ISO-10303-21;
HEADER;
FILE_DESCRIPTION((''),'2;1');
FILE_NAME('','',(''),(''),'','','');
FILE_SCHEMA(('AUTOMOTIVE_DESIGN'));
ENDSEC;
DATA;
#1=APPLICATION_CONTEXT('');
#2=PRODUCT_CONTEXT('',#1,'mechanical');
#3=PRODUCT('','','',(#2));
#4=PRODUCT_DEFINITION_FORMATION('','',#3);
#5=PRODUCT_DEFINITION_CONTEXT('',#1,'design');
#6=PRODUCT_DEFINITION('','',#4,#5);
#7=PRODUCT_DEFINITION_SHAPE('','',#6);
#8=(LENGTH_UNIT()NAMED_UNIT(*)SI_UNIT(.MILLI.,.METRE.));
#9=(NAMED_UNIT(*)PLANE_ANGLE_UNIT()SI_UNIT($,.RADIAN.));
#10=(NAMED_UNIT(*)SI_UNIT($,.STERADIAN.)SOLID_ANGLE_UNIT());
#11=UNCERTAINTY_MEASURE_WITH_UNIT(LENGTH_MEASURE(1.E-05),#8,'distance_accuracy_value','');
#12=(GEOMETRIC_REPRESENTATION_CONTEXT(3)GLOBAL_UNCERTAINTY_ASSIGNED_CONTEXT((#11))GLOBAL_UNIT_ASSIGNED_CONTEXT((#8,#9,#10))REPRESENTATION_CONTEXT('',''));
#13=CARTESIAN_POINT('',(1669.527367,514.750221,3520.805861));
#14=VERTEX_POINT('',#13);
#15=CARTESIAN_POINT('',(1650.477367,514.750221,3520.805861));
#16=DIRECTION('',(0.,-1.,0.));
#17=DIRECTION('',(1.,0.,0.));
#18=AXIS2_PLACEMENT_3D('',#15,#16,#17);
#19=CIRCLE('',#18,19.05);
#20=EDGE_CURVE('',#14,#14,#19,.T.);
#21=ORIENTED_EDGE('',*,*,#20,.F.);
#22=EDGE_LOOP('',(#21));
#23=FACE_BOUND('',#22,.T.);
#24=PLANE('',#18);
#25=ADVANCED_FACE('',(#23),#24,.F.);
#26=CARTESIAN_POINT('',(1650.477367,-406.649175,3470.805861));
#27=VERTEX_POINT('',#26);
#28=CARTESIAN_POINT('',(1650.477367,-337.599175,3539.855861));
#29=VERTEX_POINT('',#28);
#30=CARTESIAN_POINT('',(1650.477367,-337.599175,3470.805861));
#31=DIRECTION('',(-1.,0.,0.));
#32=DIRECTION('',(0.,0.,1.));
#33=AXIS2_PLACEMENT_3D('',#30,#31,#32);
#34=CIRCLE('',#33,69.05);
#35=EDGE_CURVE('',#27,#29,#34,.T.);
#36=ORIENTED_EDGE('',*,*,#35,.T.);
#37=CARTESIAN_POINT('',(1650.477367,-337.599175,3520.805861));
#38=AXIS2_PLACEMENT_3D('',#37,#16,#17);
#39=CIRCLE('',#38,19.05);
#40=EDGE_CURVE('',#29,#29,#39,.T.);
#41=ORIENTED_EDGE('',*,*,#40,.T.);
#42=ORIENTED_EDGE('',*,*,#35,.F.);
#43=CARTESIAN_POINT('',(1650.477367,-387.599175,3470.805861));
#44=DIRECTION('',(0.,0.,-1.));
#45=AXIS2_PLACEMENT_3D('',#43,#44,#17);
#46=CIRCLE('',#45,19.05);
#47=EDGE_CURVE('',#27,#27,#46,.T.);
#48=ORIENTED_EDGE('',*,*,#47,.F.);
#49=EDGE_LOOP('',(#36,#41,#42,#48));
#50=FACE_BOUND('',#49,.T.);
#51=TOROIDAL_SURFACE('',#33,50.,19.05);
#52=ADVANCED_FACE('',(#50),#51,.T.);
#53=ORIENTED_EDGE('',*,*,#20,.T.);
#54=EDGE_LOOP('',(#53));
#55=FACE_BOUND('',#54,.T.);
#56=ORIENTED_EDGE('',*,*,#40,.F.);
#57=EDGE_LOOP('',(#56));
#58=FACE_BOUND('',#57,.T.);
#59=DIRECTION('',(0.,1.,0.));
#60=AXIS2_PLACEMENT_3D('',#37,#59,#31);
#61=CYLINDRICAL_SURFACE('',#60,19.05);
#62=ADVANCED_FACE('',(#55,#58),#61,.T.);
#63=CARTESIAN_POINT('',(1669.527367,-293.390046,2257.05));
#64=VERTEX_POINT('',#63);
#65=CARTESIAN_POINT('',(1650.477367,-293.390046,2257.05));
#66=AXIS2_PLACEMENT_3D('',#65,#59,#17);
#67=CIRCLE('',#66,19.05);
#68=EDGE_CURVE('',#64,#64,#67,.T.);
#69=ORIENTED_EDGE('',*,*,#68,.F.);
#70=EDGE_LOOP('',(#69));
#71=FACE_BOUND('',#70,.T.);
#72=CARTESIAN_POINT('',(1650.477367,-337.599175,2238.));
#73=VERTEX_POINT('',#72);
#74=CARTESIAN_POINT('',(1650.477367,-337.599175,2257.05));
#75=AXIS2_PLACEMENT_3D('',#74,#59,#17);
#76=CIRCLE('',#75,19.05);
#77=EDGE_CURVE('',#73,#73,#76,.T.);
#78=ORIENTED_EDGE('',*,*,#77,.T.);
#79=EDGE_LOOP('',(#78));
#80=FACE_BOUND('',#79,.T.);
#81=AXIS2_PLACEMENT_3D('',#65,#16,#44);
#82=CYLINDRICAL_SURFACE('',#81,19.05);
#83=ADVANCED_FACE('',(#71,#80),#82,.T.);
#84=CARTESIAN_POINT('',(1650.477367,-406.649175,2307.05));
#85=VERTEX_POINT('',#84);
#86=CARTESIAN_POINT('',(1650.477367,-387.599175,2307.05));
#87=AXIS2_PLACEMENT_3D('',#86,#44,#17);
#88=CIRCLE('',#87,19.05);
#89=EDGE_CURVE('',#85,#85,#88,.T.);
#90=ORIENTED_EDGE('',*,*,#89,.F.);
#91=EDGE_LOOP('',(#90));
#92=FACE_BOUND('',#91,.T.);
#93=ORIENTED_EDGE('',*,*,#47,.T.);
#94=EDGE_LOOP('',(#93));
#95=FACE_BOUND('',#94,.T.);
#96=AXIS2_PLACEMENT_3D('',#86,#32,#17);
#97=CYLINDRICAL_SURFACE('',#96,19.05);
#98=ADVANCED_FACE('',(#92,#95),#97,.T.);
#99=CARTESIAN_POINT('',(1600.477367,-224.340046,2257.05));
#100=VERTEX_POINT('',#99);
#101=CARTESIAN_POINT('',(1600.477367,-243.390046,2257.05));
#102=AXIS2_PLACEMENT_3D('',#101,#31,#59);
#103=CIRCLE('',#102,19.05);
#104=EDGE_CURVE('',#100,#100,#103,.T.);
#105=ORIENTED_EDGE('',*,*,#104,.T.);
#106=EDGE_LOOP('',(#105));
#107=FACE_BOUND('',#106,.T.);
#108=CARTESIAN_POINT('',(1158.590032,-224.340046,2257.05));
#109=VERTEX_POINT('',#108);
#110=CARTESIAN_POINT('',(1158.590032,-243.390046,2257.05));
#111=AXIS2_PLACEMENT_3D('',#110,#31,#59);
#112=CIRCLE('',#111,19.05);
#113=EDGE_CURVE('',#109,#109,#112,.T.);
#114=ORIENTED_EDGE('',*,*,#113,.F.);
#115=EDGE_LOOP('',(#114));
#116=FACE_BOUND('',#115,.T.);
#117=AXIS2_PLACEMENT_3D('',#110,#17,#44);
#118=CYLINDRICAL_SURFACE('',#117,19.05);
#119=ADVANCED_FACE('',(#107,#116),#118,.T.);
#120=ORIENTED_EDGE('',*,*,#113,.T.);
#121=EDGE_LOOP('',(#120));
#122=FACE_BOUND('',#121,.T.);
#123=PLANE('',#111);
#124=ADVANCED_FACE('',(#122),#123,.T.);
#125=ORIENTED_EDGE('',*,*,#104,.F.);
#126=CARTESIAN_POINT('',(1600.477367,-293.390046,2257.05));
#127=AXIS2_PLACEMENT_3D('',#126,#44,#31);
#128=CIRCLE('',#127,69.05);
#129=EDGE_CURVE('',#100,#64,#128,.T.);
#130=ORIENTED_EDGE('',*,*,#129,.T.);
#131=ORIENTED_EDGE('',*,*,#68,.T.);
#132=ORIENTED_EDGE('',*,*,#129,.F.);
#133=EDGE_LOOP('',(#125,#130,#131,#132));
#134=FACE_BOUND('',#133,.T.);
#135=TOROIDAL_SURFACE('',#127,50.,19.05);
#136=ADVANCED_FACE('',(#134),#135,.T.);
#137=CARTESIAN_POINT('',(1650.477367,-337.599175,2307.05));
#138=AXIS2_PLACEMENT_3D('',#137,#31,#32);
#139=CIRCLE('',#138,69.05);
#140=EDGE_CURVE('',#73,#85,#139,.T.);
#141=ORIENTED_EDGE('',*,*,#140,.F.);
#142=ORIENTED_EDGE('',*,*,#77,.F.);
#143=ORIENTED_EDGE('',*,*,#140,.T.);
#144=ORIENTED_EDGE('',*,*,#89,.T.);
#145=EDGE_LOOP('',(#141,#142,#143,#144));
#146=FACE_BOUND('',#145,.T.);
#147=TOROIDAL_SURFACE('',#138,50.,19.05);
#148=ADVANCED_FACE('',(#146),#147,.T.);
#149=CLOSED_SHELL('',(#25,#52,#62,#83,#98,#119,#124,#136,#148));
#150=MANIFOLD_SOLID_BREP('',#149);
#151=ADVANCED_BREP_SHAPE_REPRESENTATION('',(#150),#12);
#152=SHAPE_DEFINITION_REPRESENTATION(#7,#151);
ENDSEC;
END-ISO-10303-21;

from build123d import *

# Parameters (mm, degrees)
BARRER2_PROFILE_R = 19.05


with BuildPart() as part:
    # Barrer2: sweep along a curve in space
    with BuildLine() as barrer2_path:
        Line((1158.590032243, -243.390046142, 2257.05), (1600.477366513, -243.390046142, 2257.05))
        ThreePointArc((1600.477366513, -243.390046142, 2257.05), (1635.832705573, -258.034707083, 2257.05), (1650.477366513, -293.390046142, 2257.05))
        Line((1650.477366513, -293.390046142, 2257.05), (1650.477366513, -337.599174546, 2257.05))
        ThreePointArc((1650.477366513, -337.599174546, 2257.05), (1650.477366513, -372.954513605, 2271.694660941), (1650.477366513, -387.599174546, 2307.05))
        Line((1650.477366513, -387.599174546, 2307.05), (1650.477366513, -387.599174546, 3470.805860619))
        ThreePointArc((1650.477366513, -387.599174546, 3470.805860619), (1650.477366513, -372.954513605, 3506.161199678), (1650.477366513, -337.599174546, 3520.805860619))
        Line((1650.477366513, -337.599174546, 3520.805860619), (1650.477366513, 514.750220824, 3520.805860619))
    # Barrer2 profile (on start of the path) → Barrer2 (sweep)
    with BuildSketch(Plane(origin=(1158.590032243, -243.390046142, 2257.05), x_dir=(0, 0, 1), z_dir=(1, 0, 0))):
        Circle(BARRER2_PROFILE_R)
    sweep(path=barrer2_path.line)


solid = part.part
